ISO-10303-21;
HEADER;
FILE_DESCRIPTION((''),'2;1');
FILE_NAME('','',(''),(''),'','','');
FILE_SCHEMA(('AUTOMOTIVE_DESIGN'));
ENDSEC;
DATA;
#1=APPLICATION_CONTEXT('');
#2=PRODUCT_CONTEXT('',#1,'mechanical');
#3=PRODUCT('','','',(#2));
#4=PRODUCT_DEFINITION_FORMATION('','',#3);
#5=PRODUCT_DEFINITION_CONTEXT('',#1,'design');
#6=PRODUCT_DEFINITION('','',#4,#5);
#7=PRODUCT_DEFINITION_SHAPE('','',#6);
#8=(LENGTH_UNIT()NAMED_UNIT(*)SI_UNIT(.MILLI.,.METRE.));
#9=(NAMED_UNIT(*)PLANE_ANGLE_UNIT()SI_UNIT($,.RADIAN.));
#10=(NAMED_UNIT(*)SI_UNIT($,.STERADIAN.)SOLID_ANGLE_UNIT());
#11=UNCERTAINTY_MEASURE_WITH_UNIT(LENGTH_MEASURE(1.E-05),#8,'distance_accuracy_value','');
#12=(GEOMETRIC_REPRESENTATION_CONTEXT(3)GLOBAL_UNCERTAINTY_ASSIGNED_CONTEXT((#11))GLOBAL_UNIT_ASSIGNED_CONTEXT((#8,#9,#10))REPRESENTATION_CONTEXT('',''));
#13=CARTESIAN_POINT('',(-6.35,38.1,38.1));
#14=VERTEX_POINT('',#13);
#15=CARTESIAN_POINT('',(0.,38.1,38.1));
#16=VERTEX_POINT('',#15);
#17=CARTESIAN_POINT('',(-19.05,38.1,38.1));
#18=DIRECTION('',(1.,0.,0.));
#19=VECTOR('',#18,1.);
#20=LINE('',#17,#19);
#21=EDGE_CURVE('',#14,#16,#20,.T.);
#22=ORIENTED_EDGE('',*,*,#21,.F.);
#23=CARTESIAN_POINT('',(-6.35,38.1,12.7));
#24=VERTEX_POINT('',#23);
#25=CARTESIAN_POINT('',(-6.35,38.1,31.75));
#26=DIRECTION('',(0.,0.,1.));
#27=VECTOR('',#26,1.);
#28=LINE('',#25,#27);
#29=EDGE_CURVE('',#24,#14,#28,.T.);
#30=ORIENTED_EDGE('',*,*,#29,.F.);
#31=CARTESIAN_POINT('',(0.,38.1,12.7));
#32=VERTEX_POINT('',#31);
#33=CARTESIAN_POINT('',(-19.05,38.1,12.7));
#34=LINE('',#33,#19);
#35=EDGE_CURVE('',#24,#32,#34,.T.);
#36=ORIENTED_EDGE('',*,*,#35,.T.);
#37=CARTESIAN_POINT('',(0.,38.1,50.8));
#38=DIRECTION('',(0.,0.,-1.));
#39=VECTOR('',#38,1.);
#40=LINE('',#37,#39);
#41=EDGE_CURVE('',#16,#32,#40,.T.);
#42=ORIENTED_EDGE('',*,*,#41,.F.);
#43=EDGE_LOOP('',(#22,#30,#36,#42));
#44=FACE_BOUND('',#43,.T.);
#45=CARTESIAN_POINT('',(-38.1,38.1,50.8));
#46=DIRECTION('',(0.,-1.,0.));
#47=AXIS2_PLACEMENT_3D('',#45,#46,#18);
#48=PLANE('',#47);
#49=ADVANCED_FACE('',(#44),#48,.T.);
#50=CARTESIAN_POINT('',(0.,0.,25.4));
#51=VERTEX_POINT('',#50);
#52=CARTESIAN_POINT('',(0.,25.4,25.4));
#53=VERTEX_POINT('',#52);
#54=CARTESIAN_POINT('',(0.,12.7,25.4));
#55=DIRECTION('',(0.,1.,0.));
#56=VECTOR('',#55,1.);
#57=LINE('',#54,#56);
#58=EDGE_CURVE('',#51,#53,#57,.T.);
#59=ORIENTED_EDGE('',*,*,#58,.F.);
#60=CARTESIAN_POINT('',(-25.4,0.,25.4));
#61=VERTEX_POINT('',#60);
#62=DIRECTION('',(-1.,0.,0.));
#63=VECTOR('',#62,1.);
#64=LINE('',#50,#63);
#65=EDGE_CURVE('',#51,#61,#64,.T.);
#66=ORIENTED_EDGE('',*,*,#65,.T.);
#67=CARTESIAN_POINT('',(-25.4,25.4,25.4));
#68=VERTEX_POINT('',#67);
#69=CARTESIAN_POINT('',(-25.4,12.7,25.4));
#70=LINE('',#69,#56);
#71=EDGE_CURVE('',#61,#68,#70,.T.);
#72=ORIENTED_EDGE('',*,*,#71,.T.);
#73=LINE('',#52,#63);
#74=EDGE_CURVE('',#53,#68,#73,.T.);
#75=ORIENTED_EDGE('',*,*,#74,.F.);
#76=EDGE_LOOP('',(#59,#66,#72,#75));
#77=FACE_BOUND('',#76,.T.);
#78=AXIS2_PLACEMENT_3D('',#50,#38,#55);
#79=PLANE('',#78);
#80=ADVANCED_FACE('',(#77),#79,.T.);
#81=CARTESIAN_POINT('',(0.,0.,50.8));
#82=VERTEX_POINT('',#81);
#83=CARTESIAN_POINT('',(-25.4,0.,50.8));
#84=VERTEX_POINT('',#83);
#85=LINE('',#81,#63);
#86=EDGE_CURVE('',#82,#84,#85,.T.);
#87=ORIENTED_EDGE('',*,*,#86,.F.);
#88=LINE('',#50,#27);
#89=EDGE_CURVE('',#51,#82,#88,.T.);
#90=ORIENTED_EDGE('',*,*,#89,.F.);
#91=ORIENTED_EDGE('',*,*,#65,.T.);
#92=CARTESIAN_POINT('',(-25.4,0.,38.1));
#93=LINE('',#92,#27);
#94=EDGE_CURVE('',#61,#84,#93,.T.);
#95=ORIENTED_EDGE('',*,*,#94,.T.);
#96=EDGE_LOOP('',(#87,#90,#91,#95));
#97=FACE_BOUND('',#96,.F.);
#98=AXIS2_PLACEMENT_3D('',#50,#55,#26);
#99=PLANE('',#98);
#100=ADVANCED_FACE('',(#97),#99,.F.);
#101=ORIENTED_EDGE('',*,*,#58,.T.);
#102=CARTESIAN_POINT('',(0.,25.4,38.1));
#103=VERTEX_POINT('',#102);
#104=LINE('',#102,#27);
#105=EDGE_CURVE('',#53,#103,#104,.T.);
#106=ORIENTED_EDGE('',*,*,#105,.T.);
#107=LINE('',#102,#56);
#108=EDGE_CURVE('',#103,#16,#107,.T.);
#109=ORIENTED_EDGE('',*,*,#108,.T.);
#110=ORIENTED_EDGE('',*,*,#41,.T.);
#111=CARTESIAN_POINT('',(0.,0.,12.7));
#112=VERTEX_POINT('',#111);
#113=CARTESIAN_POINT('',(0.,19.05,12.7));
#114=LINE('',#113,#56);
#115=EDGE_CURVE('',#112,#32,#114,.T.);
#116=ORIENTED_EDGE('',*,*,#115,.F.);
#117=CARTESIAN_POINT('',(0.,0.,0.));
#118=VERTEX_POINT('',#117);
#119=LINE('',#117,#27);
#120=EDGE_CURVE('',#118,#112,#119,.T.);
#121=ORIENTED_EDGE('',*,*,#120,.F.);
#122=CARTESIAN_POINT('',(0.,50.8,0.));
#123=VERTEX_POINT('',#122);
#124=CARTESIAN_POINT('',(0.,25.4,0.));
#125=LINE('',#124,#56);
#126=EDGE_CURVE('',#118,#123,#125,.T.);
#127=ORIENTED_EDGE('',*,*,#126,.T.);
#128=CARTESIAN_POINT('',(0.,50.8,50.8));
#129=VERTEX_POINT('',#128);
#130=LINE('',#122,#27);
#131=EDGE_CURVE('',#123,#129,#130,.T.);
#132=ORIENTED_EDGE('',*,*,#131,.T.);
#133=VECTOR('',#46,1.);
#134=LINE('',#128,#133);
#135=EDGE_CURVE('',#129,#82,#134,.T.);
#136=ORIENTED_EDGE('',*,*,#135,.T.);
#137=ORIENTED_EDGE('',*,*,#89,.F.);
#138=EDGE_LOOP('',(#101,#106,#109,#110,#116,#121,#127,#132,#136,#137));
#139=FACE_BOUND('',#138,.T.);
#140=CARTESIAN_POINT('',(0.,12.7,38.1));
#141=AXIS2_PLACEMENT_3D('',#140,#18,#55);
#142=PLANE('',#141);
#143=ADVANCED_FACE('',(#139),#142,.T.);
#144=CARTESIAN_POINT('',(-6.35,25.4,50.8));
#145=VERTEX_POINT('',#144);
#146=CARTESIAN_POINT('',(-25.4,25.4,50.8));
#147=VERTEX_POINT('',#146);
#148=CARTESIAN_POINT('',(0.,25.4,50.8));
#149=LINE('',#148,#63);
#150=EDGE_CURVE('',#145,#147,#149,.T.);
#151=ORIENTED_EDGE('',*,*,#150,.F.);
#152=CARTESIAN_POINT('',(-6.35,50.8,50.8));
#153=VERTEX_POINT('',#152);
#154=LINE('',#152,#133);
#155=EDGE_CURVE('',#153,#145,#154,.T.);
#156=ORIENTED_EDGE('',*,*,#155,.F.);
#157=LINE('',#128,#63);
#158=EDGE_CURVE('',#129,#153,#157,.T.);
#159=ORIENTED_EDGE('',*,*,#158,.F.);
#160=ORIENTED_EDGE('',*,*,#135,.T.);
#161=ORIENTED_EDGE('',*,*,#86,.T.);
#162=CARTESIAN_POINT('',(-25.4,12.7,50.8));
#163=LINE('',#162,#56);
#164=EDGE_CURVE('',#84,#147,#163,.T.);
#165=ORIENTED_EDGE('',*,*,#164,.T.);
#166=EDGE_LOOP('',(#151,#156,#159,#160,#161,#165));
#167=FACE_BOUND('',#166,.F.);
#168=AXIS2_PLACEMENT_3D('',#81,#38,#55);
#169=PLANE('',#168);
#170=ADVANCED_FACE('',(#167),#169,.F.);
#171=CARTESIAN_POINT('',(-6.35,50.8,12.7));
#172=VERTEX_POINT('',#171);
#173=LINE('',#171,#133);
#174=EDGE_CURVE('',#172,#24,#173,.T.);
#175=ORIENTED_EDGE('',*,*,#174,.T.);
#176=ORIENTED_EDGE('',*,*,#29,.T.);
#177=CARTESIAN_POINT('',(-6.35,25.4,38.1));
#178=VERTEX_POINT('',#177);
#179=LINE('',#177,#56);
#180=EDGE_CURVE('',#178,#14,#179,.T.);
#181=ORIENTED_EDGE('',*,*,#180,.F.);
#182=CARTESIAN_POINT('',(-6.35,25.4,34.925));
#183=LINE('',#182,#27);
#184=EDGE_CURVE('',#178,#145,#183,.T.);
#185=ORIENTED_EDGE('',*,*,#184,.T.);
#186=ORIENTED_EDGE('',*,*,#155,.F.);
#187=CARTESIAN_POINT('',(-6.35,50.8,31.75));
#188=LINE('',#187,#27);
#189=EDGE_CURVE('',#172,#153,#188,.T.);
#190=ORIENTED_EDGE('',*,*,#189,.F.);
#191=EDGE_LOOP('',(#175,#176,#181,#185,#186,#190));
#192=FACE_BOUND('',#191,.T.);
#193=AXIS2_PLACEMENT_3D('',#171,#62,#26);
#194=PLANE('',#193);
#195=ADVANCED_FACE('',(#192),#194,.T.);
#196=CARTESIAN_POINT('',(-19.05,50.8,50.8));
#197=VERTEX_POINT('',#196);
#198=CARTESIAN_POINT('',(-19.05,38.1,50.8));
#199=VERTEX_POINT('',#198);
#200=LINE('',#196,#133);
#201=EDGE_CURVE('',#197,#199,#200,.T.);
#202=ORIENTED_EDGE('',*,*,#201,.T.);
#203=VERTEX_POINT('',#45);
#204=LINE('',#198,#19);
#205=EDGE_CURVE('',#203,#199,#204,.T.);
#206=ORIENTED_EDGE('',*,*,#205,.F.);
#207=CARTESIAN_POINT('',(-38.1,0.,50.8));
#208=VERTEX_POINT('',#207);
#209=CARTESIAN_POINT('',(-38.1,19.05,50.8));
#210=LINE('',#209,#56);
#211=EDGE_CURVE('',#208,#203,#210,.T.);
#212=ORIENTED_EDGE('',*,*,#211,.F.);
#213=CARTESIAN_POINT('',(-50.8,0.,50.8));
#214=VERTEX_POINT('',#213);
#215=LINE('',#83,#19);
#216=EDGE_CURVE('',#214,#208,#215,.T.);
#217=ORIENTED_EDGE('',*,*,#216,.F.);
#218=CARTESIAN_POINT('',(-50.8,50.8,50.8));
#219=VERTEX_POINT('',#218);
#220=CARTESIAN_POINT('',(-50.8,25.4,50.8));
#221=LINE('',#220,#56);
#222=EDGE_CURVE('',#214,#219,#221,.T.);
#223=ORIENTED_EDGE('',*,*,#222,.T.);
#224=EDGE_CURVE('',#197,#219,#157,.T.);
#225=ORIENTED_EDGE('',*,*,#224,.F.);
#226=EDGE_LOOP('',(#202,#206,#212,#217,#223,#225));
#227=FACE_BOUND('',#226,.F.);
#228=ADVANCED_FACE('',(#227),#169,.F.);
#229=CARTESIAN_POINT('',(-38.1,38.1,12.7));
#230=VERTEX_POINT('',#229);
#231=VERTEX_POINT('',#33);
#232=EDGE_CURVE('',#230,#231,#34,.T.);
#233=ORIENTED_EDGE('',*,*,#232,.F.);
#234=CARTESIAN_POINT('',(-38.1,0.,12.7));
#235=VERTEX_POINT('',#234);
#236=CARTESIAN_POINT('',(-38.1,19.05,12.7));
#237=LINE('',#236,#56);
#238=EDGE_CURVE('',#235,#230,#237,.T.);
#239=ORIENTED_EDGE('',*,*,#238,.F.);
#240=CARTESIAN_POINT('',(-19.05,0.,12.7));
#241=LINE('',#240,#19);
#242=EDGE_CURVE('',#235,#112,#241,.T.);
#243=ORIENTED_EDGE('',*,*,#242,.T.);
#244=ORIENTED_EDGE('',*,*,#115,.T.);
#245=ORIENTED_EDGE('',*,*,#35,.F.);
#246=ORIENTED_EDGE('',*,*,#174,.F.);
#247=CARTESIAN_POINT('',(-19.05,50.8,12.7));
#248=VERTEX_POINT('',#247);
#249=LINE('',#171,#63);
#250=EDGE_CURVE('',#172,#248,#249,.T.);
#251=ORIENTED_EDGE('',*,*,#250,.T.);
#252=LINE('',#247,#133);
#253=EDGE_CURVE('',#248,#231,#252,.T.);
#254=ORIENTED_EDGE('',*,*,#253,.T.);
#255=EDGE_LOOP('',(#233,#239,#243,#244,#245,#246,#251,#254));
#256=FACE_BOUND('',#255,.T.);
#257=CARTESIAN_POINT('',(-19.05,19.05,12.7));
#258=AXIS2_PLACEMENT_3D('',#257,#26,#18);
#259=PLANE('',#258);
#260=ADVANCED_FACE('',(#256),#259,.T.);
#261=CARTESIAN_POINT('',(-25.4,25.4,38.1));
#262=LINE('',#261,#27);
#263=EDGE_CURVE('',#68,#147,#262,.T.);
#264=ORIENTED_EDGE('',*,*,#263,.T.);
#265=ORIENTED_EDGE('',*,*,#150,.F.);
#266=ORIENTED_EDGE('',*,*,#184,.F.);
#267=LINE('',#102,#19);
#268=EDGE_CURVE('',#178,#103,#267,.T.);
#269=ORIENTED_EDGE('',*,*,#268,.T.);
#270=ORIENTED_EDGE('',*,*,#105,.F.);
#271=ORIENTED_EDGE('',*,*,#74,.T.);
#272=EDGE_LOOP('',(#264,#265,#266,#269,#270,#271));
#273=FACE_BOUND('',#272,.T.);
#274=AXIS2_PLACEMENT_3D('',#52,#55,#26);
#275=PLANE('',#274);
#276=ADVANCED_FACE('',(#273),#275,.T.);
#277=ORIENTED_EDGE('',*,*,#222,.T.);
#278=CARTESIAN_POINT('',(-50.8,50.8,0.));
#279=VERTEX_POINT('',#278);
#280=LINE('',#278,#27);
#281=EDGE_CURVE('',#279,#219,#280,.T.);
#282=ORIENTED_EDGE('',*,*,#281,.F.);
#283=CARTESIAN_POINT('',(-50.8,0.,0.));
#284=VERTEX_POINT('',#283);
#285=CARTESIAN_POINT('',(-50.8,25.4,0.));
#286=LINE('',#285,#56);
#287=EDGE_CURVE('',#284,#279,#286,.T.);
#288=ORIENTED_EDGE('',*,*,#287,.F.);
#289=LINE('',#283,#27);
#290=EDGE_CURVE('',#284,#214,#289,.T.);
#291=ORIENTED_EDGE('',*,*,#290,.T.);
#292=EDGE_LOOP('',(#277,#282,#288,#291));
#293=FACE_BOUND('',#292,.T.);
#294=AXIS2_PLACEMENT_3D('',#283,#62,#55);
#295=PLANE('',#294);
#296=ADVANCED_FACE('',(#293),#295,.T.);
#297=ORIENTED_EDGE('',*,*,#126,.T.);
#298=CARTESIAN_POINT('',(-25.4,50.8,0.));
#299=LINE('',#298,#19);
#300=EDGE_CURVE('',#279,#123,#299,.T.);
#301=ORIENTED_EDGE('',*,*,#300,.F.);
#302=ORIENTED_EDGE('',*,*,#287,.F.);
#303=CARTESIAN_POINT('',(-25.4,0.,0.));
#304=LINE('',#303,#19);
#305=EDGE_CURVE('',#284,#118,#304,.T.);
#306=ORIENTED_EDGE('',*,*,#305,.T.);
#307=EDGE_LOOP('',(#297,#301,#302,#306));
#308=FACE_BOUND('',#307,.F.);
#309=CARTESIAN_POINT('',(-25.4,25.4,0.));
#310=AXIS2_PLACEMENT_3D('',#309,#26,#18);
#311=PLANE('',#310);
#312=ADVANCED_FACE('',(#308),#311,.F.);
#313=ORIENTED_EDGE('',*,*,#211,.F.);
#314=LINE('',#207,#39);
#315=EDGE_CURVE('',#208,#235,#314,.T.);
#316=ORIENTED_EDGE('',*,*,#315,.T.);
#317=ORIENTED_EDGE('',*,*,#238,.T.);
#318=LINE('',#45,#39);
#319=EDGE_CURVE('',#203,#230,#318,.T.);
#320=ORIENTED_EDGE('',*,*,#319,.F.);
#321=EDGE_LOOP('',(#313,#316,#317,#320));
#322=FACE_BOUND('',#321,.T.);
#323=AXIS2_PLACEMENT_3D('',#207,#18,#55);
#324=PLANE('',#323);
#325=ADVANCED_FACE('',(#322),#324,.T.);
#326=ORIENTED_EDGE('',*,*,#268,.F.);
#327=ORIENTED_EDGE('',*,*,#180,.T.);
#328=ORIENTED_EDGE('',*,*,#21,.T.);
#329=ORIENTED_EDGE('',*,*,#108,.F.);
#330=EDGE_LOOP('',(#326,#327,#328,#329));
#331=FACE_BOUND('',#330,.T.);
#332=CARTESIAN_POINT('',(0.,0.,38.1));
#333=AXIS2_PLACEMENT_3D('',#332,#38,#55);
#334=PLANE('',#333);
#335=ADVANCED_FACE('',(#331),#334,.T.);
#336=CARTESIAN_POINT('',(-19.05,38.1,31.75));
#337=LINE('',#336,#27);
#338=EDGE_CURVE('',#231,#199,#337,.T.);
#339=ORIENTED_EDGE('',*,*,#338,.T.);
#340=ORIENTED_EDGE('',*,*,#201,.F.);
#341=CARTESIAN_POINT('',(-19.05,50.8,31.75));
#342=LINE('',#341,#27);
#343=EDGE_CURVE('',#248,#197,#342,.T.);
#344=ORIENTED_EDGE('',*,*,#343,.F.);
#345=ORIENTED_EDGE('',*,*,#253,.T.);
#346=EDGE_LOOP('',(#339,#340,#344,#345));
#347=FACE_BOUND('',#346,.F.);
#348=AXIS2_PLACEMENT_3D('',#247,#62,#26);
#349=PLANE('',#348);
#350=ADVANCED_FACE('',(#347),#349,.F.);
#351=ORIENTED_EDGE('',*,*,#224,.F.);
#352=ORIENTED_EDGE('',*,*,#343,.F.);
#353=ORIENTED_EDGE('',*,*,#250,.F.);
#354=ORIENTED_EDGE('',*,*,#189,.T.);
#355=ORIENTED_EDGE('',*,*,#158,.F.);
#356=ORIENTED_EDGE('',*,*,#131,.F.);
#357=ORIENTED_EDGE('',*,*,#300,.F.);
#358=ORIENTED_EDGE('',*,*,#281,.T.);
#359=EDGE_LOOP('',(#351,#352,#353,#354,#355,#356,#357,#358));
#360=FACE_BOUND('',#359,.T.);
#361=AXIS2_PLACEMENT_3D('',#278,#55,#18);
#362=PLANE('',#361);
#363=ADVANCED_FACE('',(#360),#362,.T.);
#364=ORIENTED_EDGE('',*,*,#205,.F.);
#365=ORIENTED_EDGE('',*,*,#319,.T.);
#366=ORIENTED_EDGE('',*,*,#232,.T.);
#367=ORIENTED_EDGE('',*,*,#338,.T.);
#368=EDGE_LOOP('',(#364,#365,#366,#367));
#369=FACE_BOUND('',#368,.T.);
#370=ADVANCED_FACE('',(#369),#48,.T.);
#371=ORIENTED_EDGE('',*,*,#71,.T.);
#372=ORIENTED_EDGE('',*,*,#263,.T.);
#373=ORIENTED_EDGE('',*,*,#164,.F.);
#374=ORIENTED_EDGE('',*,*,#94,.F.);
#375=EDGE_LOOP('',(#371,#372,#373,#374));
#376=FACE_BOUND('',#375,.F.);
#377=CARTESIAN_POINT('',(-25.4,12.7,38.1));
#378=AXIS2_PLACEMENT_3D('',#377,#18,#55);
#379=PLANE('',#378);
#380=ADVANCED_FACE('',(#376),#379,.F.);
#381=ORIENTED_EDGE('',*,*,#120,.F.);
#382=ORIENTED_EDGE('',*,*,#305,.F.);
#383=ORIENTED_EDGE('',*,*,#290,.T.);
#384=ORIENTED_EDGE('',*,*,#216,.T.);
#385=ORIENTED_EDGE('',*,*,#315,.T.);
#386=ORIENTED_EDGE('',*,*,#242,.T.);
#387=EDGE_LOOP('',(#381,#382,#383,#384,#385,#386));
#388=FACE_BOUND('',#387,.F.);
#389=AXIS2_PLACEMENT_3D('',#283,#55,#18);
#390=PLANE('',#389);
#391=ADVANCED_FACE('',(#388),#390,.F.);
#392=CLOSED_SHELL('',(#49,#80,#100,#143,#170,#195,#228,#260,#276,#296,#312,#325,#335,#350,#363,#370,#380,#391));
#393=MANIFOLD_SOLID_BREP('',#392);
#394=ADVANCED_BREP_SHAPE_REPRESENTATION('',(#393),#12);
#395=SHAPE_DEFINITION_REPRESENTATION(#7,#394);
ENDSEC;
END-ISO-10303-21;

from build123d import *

# Parameters (mm, degrees)
F0_W     = 50.8
F0_H     = 50.8
F1_DEPTH = 50.8
F2_W     = 38.1
F2_H     = 38.1
F3_DEPTH = 38.1
F4_W     = 50.8
F4_H     = 12.7
F5_DEPTH = 6.35
F6_W     = 25.4
F6_H     = 25.4
F7_DEPTH = 25.4
F8_W     = 6.35
F8_H     = 38.1
F9_DEPTH = 12.7


with BuildPart() as f1:
    # F0 (on Top) → F1 (new body)
    with BuildSketch(Plane.XY):
        with Locations((-25.4, 25.4)):
            Rectangle(F0_W, F0_H)
    extrude(amount=F1_DEPTH)

    # F2 (on face) → F3 (cut)
    with BuildSketch(Plane.XY.offset(50.8)):
        with Locations((-19.05, 19.05)):
            Rectangle(F2_W, F2_H)
    extrude(amount=-F3_DEPTH, mode=Mode.SUBTRACT)

    # F4 (on face) → F5 (join)
    with BuildSketch(Plane.YZ):
        with Locations((25.4, 44.45)):
            Rectangle(F4_W, F4_H)
    extrude(amount=-F5_DEPTH)

    # F6 (on face) → F7 (join)
    with BuildSketch(Plane.YZ):
        with Locations((12.7, 38.1)):
            Rectangle(F6_W, F6_H)
    extrude(amount=-F7_DEPTH)

    # F8 (on face) → F9 (cut)
    with BuildSketch(Plane(origin=(0, 50.8, 0), x_dir=(-1, 0, 0), z_dir=(0, 1, 0))):
        with Locations((9.525, 31.75)):
            Rectangle(F8_W, F8_H)
        with Locations((15.875, 31.75)):
            Rectangle(F8_W, F8_H)
    extrude(amount=-F9_DEPTH, mode=Mode.SUBTRACT)


solid = f1.part
